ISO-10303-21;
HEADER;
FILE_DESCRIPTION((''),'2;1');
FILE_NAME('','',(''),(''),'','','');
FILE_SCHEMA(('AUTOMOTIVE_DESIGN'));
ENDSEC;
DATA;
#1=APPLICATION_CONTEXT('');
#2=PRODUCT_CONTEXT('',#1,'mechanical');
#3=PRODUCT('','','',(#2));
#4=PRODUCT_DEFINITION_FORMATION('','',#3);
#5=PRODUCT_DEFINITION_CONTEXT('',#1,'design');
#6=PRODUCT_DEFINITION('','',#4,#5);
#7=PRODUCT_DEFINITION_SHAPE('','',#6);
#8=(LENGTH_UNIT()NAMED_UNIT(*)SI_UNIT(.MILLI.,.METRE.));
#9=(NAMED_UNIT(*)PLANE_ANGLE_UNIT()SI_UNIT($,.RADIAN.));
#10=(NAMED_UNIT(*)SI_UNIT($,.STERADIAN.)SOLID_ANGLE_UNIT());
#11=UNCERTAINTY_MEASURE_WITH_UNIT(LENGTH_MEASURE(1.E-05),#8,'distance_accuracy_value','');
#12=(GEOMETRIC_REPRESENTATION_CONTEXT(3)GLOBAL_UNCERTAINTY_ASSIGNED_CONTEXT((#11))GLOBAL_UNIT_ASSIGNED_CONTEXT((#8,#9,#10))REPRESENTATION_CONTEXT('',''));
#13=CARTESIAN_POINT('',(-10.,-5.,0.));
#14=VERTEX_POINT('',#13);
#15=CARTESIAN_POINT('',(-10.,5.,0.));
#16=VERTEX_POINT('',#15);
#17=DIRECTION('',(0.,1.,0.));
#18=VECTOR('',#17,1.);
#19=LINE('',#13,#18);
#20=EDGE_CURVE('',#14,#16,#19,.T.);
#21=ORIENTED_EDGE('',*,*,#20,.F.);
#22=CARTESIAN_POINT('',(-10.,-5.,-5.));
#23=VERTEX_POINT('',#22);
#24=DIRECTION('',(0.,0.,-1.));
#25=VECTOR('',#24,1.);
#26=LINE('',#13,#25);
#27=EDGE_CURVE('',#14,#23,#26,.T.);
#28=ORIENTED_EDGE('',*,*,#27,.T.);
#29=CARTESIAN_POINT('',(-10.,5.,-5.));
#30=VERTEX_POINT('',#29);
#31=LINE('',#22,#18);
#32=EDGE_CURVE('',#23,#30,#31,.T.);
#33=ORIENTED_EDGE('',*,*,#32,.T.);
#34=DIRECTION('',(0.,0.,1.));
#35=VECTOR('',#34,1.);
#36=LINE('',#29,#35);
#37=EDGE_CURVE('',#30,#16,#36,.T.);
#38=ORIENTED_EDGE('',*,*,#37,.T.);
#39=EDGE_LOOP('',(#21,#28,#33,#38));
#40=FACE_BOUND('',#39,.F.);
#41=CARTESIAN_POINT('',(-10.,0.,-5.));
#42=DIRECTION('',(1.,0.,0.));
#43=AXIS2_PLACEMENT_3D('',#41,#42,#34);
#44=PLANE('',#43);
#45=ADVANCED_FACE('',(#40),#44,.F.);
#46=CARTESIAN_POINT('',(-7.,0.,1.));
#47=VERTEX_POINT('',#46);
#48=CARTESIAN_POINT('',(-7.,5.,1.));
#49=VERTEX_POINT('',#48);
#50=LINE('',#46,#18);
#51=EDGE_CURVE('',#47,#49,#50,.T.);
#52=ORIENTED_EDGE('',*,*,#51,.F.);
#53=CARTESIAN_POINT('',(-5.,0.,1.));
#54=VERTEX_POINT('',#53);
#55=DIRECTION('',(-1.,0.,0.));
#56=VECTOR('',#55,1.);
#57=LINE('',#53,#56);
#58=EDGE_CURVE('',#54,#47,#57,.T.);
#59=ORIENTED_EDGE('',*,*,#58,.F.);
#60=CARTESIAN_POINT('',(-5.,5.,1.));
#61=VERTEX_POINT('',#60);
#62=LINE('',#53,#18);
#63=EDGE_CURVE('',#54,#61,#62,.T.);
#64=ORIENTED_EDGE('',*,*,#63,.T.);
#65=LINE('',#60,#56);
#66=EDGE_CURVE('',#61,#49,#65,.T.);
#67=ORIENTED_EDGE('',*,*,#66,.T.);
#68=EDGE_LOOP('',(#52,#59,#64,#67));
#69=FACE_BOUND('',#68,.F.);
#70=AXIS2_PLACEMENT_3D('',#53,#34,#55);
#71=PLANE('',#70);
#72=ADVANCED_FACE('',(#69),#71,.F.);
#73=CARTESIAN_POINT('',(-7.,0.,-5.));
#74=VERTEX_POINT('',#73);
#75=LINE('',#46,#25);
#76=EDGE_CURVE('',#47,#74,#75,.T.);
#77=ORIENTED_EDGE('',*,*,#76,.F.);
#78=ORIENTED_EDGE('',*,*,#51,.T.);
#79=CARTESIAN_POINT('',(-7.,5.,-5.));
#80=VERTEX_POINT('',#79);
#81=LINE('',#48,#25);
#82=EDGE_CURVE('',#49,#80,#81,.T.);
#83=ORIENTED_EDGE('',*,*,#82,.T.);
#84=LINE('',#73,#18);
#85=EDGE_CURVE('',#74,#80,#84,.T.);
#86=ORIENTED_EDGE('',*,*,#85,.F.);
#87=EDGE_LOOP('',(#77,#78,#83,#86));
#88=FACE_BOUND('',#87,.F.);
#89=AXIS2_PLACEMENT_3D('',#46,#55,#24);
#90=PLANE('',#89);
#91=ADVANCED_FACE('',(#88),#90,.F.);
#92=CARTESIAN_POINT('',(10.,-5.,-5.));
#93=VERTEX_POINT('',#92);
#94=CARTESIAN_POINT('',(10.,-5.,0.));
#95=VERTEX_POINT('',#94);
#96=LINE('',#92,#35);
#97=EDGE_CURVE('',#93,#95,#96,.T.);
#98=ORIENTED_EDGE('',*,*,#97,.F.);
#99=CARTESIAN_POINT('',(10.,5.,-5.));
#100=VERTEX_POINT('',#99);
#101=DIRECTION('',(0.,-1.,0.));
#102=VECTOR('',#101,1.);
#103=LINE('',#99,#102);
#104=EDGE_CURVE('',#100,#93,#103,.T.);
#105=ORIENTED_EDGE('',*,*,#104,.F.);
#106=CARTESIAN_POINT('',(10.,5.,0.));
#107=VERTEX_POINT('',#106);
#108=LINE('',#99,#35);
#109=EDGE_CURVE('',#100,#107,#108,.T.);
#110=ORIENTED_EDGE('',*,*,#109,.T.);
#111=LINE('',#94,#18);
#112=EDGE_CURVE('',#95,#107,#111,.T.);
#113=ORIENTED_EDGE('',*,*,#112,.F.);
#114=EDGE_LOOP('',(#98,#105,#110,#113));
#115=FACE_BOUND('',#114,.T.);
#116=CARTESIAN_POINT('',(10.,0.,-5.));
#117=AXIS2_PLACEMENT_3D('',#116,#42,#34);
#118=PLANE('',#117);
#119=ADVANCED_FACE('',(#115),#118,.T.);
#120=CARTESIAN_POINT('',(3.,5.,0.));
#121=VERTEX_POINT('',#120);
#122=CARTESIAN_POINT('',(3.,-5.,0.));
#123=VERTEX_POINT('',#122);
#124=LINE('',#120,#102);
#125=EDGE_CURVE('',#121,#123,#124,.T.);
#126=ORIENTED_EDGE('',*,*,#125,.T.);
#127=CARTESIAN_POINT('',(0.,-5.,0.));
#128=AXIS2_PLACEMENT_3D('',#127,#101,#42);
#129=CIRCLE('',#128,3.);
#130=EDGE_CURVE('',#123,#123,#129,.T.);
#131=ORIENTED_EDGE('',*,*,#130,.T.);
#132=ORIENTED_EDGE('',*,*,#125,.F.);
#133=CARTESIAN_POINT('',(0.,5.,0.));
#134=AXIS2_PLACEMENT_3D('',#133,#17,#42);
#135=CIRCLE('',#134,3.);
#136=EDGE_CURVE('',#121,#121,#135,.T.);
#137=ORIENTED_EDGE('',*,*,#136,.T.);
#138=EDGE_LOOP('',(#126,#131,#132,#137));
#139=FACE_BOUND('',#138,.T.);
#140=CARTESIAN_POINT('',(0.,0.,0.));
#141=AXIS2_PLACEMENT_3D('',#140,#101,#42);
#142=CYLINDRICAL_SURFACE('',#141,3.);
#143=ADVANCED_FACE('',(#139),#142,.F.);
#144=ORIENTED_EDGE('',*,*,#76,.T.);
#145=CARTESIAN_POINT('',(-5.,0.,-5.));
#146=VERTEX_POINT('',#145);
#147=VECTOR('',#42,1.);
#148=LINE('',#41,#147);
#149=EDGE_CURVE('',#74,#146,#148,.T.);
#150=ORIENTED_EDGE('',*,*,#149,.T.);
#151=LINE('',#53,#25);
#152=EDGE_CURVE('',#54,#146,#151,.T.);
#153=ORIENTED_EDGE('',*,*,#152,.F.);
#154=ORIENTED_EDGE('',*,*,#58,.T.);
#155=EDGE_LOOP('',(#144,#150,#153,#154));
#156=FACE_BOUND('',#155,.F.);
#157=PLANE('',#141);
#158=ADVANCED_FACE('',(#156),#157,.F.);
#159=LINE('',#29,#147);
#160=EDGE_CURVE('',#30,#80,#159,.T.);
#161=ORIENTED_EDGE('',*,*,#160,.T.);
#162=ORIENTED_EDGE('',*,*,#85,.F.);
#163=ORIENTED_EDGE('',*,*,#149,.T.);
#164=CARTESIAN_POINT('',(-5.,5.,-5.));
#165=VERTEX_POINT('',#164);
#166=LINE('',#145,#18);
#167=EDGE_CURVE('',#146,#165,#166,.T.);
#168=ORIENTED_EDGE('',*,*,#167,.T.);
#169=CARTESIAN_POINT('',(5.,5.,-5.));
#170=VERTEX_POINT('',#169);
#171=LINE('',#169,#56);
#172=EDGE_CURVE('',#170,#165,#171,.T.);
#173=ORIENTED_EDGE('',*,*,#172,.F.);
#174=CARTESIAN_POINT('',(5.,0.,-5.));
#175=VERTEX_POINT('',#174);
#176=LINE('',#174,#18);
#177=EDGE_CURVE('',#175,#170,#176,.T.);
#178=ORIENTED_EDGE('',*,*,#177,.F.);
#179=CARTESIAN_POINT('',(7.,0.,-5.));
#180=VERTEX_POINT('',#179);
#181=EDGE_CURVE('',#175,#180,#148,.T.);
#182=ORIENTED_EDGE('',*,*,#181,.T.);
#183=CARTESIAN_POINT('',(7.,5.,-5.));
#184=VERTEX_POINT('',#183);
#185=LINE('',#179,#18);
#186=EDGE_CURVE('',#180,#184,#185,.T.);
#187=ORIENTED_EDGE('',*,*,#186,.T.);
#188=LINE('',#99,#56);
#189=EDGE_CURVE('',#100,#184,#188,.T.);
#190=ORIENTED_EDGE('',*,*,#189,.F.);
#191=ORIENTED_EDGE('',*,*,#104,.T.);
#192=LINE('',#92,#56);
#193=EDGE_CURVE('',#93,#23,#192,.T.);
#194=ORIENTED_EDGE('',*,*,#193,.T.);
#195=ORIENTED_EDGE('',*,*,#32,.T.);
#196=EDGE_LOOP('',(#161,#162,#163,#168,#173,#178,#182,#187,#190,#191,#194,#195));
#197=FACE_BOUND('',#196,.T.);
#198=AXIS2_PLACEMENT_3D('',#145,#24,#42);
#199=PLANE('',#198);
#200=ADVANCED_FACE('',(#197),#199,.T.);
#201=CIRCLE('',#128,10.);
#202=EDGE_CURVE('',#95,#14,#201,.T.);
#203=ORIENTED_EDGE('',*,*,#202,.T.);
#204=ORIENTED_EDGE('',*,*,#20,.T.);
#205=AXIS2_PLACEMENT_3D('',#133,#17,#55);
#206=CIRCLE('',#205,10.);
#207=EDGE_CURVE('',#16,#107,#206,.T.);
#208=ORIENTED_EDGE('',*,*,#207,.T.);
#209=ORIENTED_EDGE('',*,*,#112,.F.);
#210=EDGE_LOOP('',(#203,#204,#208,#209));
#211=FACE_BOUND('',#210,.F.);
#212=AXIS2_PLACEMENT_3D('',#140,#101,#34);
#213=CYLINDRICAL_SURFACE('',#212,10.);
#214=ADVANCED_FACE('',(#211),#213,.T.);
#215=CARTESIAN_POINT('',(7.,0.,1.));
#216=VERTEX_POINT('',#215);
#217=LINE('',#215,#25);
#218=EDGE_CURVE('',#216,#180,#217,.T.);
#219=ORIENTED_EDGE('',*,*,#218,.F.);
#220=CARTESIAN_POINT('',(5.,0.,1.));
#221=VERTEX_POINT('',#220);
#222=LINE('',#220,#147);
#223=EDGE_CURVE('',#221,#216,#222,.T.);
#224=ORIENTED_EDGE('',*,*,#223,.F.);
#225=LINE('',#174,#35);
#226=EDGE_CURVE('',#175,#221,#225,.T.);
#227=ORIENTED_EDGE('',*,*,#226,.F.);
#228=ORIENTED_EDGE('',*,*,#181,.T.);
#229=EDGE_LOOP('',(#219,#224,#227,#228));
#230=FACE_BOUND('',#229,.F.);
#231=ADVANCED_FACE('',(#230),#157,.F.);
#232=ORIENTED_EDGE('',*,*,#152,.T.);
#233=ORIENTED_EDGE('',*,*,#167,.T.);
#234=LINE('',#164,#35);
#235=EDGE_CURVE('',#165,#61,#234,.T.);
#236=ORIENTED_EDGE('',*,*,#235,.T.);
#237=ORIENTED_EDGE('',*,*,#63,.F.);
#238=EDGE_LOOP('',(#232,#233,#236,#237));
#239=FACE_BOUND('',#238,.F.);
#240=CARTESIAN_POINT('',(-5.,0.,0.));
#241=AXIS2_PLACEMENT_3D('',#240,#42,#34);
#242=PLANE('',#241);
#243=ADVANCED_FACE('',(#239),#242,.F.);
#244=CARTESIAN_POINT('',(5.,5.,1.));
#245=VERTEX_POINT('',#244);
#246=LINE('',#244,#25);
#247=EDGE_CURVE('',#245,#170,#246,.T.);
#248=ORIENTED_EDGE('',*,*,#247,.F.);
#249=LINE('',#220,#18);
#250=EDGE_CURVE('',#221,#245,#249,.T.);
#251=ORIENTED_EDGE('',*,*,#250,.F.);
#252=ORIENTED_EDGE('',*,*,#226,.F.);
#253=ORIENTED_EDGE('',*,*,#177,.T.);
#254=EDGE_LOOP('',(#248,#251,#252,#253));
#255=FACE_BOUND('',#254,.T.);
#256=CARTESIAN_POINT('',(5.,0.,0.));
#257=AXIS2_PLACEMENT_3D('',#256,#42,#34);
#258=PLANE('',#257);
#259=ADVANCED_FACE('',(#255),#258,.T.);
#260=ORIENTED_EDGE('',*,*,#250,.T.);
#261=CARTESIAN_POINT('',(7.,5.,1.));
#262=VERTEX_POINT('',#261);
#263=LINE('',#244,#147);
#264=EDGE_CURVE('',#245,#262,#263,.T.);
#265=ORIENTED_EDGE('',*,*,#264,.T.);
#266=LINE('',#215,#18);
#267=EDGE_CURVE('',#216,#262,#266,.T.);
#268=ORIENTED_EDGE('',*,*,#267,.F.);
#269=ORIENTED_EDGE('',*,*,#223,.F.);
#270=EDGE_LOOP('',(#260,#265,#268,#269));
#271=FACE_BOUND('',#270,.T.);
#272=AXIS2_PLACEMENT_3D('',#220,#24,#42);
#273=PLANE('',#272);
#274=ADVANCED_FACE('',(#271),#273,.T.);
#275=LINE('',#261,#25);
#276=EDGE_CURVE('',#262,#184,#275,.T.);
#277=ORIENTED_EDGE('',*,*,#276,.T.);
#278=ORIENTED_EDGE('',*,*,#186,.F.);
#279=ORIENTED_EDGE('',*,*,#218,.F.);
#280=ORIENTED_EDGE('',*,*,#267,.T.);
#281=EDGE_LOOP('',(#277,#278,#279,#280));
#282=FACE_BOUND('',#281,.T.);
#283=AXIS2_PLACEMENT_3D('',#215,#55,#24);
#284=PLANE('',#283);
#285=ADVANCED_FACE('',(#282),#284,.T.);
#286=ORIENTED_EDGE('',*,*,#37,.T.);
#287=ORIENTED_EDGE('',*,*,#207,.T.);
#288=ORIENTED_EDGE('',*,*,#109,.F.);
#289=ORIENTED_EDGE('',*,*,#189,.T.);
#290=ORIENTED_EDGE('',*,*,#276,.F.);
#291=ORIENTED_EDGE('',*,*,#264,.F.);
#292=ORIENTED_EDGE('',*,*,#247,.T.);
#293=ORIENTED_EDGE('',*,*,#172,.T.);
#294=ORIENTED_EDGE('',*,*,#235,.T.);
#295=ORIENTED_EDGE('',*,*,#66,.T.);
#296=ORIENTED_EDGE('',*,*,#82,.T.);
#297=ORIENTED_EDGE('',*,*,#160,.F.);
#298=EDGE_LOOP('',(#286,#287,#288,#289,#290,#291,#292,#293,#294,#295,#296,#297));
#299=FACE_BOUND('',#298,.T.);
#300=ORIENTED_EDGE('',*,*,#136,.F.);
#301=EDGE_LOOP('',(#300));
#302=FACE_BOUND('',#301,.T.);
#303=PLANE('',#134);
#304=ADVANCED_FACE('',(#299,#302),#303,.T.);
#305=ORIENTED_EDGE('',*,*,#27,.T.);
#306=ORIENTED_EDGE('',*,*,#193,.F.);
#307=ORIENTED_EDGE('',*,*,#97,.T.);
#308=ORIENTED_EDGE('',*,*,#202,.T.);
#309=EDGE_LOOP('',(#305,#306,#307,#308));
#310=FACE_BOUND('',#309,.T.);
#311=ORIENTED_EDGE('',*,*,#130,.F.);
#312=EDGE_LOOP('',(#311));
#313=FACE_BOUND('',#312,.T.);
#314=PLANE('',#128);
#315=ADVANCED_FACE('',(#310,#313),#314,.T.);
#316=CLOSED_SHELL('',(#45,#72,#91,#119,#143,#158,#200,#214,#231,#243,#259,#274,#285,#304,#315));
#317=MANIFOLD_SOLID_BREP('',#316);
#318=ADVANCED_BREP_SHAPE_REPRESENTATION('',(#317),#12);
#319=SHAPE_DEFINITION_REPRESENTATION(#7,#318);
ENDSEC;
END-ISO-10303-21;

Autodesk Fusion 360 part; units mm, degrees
sketch "Sketch1" plane through (0, 0, 0) normal (0, 1, 0) x (1, 0, 0)
  circle A0 centre (0, 0) radius 3
  circle A1 centre (0, 0) radius 5
  line L0 (5, -1) -> (7, -1)
  line L1 (7, -1) -> (7, 51)
  line L2 (7, 51) -> (5, 51)
  line L3 (5, 51) -> (5, -1)
  line L4 (5, 25) -> (0, 25) construction
  line L5 (0, 25) -> (0, 0) construction
  line L6 (0, 0) -> (0, -10) construction
  line L7 (0, 5) -> (10, 5) construction
  line L8 (10, 5) -> (10, 0)
  arc A2 (0, -10) -> (10, 0) centre (0, 0) ccw
  line L9 (10, 5) -> (7, 5)
  line L10 (5, 5) -> (0, 5)
  line L11 (-5, 5) -> (0, 5)
  line L12 (-5, 51) -> (-5, -1)
  line L13 (-5, -1) -> (-7, -1)
  line L14 (-7, -1) -> (-7, 51)
  line L15 (-10, 5) -> (-7, 5)
  arc A3 (-10, 0) -> (0, -10) centre (0, 0) ccw
  line L16 (-10, 5) -> (-10, 0)
  dimension "d1" = 6
  dimension "d2" = 10
  dimension "d3" = 2
  dimension "d4" = 52
  dimension "d5" = 25
  dimension "d6" = 10
  dimension "d7" = 10
  dimension "d8" = 5
extrude "Extrude1" add sketch "Sketch1" along normal blind 5 contours A1 | A1 L0 L1 L3 L8 A2 L9 L12 L13 L14 L15 A3 L16 | A1 L3 L10 | A1 L11 L12
sketch "Sketch2" plane through (0, 0, 0) normal (0, -1, 0) x (1, 0, 0)
  circle A0 centre (0, 0) radius 3
  line L0 (-5, 1) -> (-5, -5)
  line L1 (-5, -5) -> (5, -5)
  line L2 (5, -5) -> (5, 1)
  line L3 (5, 1) -> (7, 1)
  line L4 (7, 1) -> (7, -5)
  line L5 (7, -5) -> (10, -5)
  line L6 (10, -5) -> (10, 0)
  arc A1 (10, 0) -> (-10, 0) centre (0, 0) ccw
  line L7 (-10, 0) -> (-10, -5)
  line L8 (-10, -5) -> (-7, -5)
  line L9 (-7, -5) -> (-7, 1)
  line L10 (-7, 1) -> (-5, 1)
  line L11 (10, -5) -> (-10, -5)
extrude "Extrude2" add sketch "Sketch2" along normal blind 5
